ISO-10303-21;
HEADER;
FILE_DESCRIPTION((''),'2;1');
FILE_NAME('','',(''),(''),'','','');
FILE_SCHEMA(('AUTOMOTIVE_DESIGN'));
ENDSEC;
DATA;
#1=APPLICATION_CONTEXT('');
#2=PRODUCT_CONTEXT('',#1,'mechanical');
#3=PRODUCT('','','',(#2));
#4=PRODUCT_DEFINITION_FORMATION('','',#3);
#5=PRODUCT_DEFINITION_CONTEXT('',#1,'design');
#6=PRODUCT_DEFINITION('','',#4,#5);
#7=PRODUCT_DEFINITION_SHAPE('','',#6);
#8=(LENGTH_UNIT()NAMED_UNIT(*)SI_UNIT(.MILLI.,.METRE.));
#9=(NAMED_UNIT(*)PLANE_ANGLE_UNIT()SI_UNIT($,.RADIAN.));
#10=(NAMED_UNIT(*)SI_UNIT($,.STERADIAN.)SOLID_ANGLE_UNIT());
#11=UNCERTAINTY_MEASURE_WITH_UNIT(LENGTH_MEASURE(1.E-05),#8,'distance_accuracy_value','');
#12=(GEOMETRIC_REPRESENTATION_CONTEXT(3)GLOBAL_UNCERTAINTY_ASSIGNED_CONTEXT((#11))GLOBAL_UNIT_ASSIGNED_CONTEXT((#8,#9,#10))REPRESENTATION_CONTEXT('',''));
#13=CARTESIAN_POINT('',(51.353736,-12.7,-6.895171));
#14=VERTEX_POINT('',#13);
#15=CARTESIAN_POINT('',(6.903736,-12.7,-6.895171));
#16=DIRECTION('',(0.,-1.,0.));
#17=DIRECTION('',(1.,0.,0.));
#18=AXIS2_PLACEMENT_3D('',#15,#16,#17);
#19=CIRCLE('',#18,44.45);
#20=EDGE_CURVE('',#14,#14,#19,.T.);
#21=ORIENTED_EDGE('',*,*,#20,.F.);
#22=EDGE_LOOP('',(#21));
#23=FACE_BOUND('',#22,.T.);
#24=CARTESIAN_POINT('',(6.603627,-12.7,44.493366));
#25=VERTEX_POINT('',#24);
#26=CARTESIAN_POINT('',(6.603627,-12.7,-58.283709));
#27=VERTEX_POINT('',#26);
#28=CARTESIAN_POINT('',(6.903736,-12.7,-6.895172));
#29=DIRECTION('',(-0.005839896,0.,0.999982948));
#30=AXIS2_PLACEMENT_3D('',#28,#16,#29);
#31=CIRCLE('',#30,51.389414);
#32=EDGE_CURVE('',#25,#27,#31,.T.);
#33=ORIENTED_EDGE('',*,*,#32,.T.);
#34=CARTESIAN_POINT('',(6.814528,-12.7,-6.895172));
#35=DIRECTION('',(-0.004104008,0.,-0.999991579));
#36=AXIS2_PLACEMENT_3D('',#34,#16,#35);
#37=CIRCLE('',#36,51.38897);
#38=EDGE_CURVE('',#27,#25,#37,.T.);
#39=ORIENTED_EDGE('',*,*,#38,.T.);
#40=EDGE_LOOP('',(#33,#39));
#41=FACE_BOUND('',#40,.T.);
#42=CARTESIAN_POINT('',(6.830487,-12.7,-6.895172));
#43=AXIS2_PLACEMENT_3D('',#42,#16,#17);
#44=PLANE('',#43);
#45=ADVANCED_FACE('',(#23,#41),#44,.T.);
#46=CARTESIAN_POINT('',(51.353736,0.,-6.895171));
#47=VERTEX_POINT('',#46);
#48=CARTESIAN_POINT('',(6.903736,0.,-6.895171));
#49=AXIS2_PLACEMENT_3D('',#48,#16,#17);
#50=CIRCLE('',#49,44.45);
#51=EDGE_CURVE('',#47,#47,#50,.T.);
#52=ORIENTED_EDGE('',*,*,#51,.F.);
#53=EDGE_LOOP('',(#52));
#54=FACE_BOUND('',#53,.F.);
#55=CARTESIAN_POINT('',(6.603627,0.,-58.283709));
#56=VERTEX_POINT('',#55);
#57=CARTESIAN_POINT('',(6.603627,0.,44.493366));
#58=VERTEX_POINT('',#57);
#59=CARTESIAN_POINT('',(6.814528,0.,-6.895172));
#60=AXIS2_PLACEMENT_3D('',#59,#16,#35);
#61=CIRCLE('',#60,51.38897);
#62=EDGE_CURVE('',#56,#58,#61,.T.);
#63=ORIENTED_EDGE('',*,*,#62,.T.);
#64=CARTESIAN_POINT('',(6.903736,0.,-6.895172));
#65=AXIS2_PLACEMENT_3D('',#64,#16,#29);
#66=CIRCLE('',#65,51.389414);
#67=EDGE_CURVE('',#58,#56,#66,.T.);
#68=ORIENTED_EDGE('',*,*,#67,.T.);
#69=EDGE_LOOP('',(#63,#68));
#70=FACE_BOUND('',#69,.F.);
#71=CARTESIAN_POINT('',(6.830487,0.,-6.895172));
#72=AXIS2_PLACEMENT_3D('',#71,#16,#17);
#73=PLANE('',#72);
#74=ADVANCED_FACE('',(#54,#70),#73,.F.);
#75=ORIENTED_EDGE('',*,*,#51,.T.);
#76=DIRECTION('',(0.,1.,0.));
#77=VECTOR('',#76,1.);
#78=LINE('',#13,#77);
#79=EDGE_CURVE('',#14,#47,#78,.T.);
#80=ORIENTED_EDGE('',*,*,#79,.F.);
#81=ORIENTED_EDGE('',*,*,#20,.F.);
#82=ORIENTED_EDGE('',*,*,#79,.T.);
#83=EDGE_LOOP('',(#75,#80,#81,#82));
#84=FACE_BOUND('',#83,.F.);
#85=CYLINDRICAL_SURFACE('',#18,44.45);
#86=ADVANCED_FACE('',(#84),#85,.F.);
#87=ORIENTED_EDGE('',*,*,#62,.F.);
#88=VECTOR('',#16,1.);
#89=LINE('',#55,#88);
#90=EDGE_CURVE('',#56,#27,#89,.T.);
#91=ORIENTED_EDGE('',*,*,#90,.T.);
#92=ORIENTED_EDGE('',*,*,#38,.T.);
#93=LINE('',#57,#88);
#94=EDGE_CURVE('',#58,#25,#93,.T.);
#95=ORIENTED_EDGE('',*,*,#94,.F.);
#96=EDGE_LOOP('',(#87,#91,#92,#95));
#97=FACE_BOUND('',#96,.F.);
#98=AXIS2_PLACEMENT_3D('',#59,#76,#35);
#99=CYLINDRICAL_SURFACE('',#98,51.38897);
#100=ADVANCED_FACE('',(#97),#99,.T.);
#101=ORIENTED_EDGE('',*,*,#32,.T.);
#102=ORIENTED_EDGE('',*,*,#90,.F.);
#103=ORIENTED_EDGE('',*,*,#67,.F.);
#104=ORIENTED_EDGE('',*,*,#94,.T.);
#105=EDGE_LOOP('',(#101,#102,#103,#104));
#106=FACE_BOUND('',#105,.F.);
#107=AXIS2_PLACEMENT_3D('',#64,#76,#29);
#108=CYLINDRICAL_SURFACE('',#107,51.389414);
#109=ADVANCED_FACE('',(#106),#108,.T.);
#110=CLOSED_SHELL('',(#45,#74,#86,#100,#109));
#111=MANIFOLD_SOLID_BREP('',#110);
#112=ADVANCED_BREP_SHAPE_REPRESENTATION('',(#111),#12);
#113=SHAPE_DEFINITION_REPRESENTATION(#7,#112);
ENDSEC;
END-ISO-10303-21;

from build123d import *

# Parameters (mm, degrees)
F1_DEPTH = 12.7
F2_R     = 44.45
F3_DEPTH = 25.4


with BuildPart() as f1:
    # F0 (on Front) → F1 (new body)
    with BuildSketch(Plane.XZ):
        with BuildLine():
            ThreePointArc((6.603627, 44.493366), (-44.485678, -6.895171), (6.603627, -58.283709))
            ThreePointArc((6.603627, -58.283709), (58.203498, -6.895171), (6.603627, 44.493366))
        make_face()
    extrude(amount=F1_DEPTH)

    # F2 (on face) → F3 (cut)
    with BuildSketch(Plane.XZ.offset(12.7)):
        with Locations((6.903736, -6.895171)):
            Circle(F2_R)
    extrude(amount=-F3_DEPTH, mode=Mode.SUBTRACT)


solid = f1.part
